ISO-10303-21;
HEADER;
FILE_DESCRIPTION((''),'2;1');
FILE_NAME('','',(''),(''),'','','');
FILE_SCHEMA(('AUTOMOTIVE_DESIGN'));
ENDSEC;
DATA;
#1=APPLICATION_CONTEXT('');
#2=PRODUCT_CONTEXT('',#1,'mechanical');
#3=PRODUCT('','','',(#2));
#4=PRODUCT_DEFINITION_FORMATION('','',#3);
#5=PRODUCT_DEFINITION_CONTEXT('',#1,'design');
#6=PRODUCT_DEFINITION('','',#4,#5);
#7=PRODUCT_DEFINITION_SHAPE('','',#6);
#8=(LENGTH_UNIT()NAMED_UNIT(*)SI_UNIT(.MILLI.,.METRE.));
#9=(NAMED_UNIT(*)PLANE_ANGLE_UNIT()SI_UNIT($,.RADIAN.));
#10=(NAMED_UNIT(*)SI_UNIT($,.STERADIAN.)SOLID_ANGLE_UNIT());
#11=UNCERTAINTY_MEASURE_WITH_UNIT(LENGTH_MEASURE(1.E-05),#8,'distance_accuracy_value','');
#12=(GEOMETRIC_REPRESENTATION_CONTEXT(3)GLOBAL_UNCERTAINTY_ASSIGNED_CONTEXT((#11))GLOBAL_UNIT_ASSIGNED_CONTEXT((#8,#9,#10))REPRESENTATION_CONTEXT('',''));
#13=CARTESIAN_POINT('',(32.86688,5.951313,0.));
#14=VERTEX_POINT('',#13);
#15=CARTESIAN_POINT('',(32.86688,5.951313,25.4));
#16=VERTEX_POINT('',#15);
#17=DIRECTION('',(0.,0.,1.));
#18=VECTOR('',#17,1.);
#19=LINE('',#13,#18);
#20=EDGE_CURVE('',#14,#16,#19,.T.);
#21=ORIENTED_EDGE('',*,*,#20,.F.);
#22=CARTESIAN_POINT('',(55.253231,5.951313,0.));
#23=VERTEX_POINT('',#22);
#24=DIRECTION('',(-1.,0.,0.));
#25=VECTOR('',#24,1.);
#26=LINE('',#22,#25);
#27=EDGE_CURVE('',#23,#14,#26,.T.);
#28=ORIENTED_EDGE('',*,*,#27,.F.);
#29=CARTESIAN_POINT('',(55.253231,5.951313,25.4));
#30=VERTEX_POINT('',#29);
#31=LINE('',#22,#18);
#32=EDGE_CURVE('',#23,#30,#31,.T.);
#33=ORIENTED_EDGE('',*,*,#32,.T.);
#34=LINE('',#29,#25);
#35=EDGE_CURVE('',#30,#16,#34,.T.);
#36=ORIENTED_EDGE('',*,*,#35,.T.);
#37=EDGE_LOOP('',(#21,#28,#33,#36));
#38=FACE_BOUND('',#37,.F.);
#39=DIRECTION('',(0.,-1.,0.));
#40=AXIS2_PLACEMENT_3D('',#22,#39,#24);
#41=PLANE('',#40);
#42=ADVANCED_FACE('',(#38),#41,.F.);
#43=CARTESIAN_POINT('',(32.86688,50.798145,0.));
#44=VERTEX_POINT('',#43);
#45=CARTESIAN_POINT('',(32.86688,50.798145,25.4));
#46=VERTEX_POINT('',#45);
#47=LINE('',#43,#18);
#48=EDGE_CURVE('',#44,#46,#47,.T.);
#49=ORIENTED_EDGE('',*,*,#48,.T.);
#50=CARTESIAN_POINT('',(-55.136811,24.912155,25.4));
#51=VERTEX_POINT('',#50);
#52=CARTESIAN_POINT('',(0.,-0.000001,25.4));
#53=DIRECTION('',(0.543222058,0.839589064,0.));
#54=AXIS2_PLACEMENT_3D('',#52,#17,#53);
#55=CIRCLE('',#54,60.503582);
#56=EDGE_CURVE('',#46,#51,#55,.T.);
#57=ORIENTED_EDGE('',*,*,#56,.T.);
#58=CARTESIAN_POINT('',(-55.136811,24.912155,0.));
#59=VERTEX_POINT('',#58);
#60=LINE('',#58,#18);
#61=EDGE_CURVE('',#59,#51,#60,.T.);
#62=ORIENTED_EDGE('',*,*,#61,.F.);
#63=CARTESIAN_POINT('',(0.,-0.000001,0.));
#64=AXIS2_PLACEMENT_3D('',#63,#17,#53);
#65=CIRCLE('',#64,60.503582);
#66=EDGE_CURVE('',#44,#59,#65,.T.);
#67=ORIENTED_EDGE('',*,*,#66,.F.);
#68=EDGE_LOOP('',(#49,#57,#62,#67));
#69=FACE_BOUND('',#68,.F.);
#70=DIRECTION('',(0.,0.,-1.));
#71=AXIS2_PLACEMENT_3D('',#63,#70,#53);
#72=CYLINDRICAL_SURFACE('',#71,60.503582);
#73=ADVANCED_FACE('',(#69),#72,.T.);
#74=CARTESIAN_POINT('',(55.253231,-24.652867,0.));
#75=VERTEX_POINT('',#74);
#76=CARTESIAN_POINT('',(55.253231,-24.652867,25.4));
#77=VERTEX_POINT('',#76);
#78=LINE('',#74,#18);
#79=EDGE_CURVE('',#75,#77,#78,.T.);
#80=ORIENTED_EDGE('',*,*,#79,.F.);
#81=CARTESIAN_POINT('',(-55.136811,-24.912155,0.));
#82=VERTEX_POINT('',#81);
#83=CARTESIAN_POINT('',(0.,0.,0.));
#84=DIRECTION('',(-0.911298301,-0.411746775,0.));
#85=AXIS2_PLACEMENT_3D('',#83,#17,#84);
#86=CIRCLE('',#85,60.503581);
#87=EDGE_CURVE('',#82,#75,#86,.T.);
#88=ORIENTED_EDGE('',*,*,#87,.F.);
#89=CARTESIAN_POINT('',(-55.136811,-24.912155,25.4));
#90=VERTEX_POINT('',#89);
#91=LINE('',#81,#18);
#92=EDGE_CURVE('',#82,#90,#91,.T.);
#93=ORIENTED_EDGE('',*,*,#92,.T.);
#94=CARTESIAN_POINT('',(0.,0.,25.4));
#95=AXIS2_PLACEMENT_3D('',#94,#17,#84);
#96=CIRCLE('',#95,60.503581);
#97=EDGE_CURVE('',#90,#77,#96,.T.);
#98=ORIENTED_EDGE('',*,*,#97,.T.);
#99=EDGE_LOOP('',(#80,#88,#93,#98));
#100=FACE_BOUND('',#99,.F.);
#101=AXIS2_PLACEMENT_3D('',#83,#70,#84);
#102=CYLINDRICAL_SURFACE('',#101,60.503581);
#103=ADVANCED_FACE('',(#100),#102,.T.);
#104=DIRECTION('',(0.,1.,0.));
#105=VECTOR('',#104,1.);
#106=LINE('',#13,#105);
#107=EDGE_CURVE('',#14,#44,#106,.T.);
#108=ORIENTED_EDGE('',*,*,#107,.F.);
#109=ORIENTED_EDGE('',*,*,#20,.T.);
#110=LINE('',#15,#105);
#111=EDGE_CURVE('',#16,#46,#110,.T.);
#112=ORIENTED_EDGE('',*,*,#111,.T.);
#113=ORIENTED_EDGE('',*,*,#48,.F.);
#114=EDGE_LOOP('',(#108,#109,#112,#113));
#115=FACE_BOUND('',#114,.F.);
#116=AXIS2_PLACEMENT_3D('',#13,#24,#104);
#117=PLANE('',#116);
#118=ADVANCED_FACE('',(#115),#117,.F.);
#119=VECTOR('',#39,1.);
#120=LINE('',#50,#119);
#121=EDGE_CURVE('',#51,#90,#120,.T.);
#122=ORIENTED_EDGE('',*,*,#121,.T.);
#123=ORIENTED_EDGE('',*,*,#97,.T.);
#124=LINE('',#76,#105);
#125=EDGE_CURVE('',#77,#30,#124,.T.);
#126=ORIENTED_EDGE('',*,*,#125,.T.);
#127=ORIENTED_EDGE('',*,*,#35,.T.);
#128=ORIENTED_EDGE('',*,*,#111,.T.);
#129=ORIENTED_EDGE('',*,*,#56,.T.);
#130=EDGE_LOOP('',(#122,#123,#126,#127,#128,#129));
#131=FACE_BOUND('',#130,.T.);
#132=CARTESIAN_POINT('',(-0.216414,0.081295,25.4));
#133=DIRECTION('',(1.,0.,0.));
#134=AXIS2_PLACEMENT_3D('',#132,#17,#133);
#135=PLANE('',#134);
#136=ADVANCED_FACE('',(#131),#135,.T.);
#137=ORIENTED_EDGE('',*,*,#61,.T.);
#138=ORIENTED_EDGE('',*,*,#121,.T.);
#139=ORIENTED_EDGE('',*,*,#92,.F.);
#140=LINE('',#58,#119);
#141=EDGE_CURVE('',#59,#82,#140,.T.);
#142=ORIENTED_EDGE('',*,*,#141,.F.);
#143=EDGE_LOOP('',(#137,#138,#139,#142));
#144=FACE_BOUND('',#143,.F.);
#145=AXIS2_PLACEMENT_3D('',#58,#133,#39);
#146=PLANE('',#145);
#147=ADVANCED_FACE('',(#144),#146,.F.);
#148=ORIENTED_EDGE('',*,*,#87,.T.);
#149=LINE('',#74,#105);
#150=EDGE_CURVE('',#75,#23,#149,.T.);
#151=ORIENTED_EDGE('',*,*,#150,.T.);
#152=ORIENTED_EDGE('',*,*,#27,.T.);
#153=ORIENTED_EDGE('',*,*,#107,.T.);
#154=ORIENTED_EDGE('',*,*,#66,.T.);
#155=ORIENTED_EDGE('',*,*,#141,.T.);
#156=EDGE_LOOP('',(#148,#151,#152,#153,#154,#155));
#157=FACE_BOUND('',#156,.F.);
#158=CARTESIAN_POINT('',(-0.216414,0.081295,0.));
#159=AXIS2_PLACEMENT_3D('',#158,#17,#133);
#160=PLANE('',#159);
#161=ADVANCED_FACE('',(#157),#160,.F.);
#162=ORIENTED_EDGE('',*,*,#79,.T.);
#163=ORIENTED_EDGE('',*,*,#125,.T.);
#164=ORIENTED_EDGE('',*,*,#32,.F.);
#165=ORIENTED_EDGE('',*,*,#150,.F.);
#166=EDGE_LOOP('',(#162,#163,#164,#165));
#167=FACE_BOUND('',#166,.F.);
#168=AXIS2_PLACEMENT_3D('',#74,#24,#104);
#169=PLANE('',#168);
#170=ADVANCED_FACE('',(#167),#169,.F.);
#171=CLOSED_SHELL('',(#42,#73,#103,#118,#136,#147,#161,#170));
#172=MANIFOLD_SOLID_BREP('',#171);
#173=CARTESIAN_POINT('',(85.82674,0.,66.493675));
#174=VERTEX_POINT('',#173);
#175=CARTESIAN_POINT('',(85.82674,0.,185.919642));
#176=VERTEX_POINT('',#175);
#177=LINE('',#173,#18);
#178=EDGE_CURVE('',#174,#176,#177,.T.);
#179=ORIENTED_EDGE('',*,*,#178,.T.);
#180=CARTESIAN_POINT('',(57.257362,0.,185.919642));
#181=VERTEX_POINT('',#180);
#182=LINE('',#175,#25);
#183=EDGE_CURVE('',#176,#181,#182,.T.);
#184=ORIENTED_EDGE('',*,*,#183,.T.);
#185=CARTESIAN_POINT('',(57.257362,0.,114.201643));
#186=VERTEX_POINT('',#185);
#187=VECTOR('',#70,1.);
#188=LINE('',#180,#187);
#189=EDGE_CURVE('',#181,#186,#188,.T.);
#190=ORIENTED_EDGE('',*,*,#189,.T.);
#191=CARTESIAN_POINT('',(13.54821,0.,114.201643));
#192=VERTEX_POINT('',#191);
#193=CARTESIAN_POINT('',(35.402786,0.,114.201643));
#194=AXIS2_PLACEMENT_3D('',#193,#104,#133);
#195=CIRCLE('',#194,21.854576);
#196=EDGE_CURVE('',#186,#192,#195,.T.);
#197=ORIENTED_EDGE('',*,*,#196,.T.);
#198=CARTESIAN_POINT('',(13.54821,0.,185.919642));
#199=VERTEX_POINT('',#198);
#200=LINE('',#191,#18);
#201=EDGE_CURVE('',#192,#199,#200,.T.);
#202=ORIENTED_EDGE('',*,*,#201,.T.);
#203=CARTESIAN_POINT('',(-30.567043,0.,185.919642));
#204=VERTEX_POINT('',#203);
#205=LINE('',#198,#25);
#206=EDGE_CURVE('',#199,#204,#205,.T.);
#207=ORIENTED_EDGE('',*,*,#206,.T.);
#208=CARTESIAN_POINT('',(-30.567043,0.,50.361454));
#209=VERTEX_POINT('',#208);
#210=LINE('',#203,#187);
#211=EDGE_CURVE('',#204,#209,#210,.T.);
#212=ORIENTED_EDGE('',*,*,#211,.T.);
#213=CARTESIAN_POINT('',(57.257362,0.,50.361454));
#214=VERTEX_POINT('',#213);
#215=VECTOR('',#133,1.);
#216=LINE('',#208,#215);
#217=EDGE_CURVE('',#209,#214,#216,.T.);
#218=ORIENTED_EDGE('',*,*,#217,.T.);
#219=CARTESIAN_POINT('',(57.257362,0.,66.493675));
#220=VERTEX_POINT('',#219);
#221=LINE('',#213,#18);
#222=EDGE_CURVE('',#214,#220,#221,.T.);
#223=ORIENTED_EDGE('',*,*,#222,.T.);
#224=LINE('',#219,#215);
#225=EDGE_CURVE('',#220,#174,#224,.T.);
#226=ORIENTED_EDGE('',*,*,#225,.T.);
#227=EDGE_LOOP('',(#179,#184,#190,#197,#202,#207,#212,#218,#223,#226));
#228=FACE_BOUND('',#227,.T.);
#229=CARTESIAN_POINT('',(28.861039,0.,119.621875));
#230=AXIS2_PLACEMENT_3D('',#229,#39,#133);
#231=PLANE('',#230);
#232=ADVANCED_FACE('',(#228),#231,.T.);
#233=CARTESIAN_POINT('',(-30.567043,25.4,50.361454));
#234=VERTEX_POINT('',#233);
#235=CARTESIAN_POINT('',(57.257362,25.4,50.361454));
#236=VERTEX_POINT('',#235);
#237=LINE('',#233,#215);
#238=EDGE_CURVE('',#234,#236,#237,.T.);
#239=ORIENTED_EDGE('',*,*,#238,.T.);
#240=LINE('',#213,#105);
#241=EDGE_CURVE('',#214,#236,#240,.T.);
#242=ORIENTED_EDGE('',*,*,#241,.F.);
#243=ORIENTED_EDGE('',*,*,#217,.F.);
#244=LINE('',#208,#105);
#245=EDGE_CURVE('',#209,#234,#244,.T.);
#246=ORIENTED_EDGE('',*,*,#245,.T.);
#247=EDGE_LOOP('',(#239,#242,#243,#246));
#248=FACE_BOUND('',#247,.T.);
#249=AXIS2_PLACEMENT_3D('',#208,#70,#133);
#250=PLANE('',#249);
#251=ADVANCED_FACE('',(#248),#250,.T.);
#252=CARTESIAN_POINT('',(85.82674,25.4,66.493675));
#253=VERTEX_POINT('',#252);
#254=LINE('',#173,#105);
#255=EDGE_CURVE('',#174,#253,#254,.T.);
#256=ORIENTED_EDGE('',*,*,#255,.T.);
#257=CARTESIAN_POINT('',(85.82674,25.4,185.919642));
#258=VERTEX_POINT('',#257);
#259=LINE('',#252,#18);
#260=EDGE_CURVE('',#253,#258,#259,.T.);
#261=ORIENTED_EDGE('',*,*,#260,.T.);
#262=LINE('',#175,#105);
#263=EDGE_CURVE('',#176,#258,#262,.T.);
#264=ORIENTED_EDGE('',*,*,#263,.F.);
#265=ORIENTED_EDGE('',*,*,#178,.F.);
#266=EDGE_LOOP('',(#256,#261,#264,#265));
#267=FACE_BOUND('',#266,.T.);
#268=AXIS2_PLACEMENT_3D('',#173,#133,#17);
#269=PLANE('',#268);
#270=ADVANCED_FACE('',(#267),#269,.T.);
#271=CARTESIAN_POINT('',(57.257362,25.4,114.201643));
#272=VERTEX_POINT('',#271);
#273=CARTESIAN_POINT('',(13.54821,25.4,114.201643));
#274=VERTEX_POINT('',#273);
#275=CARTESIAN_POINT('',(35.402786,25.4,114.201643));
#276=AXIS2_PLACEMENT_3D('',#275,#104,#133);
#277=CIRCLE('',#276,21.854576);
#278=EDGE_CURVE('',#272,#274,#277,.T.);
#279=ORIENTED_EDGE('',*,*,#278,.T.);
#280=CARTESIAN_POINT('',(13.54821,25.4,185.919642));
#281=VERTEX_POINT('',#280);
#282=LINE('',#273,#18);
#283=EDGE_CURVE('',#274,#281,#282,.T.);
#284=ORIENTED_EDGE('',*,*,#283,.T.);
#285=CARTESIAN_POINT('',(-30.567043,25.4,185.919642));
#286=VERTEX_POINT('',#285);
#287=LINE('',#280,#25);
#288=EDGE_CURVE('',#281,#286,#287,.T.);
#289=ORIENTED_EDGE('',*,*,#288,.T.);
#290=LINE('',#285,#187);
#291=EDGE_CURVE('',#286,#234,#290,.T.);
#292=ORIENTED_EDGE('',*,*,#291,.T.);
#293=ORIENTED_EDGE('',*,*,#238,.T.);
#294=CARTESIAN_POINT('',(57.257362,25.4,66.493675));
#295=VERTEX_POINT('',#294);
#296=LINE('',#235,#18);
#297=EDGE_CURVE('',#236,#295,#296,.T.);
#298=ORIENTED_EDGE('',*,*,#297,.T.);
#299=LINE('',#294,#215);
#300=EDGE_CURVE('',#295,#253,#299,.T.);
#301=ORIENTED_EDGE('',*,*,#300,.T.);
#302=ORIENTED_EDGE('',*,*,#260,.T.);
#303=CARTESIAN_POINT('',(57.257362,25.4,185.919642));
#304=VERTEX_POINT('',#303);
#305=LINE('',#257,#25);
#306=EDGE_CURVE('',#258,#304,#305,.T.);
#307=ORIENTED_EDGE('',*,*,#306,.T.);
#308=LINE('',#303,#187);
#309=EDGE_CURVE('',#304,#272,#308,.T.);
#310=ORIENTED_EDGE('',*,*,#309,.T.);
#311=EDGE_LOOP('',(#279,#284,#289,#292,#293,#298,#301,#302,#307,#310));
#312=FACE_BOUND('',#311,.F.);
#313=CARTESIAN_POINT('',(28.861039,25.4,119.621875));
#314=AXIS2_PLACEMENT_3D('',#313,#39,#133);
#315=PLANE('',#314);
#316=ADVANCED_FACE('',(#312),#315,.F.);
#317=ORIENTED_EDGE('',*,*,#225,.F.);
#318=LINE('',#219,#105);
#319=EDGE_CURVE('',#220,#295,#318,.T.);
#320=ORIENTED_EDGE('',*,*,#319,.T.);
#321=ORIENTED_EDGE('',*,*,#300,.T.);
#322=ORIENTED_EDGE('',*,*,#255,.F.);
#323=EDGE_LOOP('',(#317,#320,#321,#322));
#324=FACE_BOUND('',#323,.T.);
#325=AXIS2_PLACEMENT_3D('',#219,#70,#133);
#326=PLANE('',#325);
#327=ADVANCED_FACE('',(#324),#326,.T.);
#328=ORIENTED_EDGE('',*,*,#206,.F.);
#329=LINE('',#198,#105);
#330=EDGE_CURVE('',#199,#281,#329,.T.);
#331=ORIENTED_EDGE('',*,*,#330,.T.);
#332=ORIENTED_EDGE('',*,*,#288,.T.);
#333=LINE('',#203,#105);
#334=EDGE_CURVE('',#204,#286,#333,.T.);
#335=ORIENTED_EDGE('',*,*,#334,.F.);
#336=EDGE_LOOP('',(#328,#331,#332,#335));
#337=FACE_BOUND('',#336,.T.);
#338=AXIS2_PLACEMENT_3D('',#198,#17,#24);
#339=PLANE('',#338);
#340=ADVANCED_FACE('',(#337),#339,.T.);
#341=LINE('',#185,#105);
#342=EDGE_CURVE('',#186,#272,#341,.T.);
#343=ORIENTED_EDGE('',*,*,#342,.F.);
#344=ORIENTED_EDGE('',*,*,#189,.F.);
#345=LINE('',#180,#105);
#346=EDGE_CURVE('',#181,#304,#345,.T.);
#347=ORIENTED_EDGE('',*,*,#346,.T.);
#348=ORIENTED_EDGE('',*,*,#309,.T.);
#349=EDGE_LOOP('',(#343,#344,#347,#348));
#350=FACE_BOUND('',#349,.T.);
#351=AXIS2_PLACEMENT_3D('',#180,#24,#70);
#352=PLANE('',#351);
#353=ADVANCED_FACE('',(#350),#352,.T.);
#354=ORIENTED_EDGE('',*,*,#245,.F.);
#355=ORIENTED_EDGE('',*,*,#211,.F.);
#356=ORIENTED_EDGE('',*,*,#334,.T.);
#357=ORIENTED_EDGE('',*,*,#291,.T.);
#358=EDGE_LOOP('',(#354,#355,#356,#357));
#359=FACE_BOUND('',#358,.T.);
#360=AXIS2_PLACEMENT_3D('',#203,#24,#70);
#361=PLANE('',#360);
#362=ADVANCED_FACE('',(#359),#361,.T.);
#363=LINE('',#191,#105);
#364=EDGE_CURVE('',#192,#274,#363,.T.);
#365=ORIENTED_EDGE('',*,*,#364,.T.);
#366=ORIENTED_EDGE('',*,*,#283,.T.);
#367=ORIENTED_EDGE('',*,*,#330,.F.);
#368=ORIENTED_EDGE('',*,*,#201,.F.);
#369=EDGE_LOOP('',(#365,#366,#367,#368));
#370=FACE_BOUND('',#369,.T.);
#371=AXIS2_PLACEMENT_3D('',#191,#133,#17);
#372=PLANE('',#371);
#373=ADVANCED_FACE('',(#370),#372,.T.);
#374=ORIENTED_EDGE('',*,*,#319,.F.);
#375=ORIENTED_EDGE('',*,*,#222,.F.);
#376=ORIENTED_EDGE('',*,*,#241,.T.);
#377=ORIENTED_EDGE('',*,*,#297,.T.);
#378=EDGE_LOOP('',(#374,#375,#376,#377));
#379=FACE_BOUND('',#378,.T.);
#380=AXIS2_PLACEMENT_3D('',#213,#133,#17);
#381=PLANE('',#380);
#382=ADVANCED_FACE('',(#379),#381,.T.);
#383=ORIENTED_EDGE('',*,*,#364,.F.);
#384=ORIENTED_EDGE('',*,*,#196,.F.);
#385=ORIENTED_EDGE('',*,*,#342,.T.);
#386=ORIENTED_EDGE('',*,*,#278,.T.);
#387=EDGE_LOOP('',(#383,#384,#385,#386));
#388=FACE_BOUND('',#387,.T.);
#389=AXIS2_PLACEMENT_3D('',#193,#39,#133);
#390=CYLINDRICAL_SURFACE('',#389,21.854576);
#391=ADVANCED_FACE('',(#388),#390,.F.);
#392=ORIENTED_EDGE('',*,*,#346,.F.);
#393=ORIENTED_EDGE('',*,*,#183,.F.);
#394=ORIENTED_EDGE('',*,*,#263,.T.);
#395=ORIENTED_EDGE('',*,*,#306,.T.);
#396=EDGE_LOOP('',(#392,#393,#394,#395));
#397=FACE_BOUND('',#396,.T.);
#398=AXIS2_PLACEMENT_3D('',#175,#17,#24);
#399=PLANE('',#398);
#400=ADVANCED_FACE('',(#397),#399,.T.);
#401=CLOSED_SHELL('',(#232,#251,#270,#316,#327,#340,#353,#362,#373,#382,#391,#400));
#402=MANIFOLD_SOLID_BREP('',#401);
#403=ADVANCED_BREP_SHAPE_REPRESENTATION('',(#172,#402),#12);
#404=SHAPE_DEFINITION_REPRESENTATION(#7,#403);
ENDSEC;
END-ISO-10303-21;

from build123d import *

# Parameters (mm, degrees)
F1_DEPTH = 25.4
F3_DEPTH = 25.4


with BuildPart() as f1:
    # F0 (on Top) → F1 (new body)
    with BuildSketch(Plane.XY):
        with BuildLine():
            Line((32.86688, 5.951313), (32.86688, 50.798145))
            ThreePointArc((32.86688, 50.798145), (-17.073622, 58.044593), (-55.136811, 24.912155))
            Line((-55.136811, 24.912155), (-55.136811, -24.912155))
            ThreePointArc((-55.136811, -24.912155), (0.142112, -60.503415), (55.253231, -24.652867))
            Line((55.253231, -24.652867), (55.253231, 5.951313))
            Line((55.253231, 5.951313), (32.86688, 5.951313))
        make_face()
    extrude(amount=F1_DEPTH)


with BuildPart() as f3:
    # F2 (on Front) → F3 (new body)
    with BuildSketch(Plane.XZ):
        with BuildLine():
            Line((-30.567043, 185.919642), (-30.567043, 50.361454))
            Line((-30.567043, 50.361454), (57.257362, 50.361454))
            Line((57.257362, 50.361454), (57.257362, 66.493675))
            Line((57.257362, 66.493675), (85.82674, 66.493675))
            Line((85.82674, 66.493675), (85.82674, 185.919642))
            Line((85.82674, 185.919642), (57.257362, 185.919642))
            Line((57.257362, 185.919642), (57.257362, 114.201643))
            ThreePointArc((57.257362, 114.201643), (35.402786, 92.347067), (13.54821, 114.201643))
            Line((13.54821, 114.201643), (13.54821, 185.919642))
            Line((13.54821, 185.919642), (-30.567043, 185.919642))
        make_face()
    extrude(amount=-F3_DEPTH)


solid = Compound([f1.part, f3.part])
